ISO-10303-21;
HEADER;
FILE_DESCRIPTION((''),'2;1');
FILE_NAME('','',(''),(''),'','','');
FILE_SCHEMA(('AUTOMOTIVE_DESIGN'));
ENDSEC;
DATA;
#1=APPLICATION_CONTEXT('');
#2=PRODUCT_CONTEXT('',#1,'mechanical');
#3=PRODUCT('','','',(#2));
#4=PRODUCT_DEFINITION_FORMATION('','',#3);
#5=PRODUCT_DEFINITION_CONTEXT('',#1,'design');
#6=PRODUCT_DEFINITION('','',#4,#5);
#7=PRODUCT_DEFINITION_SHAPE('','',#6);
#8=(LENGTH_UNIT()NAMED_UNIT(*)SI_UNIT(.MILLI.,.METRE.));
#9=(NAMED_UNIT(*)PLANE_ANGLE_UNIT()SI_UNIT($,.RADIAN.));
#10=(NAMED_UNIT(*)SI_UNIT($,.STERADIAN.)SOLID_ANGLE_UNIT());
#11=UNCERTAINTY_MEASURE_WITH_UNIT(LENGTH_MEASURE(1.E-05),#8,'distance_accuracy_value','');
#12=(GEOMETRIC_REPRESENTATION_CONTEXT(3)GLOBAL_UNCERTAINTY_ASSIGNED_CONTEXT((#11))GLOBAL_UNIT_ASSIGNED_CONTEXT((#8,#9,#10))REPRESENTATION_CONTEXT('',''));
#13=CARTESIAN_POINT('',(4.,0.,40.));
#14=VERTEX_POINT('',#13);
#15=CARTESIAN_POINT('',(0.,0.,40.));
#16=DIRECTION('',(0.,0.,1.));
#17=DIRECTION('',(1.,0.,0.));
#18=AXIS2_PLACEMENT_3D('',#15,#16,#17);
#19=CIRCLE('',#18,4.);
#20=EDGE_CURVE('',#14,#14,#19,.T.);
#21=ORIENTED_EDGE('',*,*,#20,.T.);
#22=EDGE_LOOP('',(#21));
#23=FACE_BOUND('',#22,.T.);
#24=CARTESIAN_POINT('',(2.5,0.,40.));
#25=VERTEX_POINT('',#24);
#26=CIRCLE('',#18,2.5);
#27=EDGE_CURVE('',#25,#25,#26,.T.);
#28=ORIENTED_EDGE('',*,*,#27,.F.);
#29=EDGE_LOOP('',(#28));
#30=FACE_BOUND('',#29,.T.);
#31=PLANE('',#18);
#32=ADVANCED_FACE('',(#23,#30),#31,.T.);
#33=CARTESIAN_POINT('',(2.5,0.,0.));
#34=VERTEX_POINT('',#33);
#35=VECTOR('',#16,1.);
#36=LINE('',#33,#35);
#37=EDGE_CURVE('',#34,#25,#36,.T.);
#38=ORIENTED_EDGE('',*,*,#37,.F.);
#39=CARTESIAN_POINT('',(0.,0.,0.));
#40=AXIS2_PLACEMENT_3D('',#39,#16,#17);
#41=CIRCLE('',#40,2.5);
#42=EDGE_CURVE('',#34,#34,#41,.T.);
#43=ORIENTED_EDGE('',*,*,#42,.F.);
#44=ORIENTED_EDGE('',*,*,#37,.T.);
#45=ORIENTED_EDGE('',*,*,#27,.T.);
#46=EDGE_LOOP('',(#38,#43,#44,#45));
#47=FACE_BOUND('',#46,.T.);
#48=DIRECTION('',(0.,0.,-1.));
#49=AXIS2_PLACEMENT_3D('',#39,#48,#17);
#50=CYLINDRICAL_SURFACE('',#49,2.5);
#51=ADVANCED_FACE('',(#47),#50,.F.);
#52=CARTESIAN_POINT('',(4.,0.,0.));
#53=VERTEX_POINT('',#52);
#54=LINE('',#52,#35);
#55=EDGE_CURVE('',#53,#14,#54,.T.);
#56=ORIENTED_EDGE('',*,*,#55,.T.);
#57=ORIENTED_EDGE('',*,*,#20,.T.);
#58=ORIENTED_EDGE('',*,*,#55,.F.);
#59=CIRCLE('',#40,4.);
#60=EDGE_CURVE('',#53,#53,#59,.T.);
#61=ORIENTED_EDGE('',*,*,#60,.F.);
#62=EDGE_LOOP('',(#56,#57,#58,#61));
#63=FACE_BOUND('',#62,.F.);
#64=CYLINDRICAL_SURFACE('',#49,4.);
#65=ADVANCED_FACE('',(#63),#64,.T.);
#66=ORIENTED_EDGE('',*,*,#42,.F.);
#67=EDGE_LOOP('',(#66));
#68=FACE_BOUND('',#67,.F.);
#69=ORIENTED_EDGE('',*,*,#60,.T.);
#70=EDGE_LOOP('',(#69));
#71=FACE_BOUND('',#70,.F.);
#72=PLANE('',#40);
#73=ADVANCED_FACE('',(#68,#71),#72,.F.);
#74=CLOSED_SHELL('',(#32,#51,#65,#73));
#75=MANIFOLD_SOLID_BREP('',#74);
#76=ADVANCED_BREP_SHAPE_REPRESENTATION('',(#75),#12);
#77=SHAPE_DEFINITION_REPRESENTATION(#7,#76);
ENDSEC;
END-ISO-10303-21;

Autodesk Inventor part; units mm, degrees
ref_plane "YZ Plane" through (0, 0, 0) normal (1, 0, 0) x (0, 1, 0)
ref_plane "XZ Plane" through (0, 0, 0) normal (0, 1, 0) x (-1, 0, 0)
ref_plane "XY Plane" through (0, 0, 0) normal (0, 0, 1) x (1, 0, 0)
sketch "スケッチ1" plane through (0, 0, 0) normal (0, 0, 1) x (1, 0, 0)
  circle A0 centre (0, 0) radius 2.5
  circle A1 centre (0, 0) radius 4
  dimension "d0" = 5
  dimension "d1" = 8
extrude "押し出し1" add sketch "スケッチ1" along normal blind 40
properties part number "passive_walking_robot6_parts3"
